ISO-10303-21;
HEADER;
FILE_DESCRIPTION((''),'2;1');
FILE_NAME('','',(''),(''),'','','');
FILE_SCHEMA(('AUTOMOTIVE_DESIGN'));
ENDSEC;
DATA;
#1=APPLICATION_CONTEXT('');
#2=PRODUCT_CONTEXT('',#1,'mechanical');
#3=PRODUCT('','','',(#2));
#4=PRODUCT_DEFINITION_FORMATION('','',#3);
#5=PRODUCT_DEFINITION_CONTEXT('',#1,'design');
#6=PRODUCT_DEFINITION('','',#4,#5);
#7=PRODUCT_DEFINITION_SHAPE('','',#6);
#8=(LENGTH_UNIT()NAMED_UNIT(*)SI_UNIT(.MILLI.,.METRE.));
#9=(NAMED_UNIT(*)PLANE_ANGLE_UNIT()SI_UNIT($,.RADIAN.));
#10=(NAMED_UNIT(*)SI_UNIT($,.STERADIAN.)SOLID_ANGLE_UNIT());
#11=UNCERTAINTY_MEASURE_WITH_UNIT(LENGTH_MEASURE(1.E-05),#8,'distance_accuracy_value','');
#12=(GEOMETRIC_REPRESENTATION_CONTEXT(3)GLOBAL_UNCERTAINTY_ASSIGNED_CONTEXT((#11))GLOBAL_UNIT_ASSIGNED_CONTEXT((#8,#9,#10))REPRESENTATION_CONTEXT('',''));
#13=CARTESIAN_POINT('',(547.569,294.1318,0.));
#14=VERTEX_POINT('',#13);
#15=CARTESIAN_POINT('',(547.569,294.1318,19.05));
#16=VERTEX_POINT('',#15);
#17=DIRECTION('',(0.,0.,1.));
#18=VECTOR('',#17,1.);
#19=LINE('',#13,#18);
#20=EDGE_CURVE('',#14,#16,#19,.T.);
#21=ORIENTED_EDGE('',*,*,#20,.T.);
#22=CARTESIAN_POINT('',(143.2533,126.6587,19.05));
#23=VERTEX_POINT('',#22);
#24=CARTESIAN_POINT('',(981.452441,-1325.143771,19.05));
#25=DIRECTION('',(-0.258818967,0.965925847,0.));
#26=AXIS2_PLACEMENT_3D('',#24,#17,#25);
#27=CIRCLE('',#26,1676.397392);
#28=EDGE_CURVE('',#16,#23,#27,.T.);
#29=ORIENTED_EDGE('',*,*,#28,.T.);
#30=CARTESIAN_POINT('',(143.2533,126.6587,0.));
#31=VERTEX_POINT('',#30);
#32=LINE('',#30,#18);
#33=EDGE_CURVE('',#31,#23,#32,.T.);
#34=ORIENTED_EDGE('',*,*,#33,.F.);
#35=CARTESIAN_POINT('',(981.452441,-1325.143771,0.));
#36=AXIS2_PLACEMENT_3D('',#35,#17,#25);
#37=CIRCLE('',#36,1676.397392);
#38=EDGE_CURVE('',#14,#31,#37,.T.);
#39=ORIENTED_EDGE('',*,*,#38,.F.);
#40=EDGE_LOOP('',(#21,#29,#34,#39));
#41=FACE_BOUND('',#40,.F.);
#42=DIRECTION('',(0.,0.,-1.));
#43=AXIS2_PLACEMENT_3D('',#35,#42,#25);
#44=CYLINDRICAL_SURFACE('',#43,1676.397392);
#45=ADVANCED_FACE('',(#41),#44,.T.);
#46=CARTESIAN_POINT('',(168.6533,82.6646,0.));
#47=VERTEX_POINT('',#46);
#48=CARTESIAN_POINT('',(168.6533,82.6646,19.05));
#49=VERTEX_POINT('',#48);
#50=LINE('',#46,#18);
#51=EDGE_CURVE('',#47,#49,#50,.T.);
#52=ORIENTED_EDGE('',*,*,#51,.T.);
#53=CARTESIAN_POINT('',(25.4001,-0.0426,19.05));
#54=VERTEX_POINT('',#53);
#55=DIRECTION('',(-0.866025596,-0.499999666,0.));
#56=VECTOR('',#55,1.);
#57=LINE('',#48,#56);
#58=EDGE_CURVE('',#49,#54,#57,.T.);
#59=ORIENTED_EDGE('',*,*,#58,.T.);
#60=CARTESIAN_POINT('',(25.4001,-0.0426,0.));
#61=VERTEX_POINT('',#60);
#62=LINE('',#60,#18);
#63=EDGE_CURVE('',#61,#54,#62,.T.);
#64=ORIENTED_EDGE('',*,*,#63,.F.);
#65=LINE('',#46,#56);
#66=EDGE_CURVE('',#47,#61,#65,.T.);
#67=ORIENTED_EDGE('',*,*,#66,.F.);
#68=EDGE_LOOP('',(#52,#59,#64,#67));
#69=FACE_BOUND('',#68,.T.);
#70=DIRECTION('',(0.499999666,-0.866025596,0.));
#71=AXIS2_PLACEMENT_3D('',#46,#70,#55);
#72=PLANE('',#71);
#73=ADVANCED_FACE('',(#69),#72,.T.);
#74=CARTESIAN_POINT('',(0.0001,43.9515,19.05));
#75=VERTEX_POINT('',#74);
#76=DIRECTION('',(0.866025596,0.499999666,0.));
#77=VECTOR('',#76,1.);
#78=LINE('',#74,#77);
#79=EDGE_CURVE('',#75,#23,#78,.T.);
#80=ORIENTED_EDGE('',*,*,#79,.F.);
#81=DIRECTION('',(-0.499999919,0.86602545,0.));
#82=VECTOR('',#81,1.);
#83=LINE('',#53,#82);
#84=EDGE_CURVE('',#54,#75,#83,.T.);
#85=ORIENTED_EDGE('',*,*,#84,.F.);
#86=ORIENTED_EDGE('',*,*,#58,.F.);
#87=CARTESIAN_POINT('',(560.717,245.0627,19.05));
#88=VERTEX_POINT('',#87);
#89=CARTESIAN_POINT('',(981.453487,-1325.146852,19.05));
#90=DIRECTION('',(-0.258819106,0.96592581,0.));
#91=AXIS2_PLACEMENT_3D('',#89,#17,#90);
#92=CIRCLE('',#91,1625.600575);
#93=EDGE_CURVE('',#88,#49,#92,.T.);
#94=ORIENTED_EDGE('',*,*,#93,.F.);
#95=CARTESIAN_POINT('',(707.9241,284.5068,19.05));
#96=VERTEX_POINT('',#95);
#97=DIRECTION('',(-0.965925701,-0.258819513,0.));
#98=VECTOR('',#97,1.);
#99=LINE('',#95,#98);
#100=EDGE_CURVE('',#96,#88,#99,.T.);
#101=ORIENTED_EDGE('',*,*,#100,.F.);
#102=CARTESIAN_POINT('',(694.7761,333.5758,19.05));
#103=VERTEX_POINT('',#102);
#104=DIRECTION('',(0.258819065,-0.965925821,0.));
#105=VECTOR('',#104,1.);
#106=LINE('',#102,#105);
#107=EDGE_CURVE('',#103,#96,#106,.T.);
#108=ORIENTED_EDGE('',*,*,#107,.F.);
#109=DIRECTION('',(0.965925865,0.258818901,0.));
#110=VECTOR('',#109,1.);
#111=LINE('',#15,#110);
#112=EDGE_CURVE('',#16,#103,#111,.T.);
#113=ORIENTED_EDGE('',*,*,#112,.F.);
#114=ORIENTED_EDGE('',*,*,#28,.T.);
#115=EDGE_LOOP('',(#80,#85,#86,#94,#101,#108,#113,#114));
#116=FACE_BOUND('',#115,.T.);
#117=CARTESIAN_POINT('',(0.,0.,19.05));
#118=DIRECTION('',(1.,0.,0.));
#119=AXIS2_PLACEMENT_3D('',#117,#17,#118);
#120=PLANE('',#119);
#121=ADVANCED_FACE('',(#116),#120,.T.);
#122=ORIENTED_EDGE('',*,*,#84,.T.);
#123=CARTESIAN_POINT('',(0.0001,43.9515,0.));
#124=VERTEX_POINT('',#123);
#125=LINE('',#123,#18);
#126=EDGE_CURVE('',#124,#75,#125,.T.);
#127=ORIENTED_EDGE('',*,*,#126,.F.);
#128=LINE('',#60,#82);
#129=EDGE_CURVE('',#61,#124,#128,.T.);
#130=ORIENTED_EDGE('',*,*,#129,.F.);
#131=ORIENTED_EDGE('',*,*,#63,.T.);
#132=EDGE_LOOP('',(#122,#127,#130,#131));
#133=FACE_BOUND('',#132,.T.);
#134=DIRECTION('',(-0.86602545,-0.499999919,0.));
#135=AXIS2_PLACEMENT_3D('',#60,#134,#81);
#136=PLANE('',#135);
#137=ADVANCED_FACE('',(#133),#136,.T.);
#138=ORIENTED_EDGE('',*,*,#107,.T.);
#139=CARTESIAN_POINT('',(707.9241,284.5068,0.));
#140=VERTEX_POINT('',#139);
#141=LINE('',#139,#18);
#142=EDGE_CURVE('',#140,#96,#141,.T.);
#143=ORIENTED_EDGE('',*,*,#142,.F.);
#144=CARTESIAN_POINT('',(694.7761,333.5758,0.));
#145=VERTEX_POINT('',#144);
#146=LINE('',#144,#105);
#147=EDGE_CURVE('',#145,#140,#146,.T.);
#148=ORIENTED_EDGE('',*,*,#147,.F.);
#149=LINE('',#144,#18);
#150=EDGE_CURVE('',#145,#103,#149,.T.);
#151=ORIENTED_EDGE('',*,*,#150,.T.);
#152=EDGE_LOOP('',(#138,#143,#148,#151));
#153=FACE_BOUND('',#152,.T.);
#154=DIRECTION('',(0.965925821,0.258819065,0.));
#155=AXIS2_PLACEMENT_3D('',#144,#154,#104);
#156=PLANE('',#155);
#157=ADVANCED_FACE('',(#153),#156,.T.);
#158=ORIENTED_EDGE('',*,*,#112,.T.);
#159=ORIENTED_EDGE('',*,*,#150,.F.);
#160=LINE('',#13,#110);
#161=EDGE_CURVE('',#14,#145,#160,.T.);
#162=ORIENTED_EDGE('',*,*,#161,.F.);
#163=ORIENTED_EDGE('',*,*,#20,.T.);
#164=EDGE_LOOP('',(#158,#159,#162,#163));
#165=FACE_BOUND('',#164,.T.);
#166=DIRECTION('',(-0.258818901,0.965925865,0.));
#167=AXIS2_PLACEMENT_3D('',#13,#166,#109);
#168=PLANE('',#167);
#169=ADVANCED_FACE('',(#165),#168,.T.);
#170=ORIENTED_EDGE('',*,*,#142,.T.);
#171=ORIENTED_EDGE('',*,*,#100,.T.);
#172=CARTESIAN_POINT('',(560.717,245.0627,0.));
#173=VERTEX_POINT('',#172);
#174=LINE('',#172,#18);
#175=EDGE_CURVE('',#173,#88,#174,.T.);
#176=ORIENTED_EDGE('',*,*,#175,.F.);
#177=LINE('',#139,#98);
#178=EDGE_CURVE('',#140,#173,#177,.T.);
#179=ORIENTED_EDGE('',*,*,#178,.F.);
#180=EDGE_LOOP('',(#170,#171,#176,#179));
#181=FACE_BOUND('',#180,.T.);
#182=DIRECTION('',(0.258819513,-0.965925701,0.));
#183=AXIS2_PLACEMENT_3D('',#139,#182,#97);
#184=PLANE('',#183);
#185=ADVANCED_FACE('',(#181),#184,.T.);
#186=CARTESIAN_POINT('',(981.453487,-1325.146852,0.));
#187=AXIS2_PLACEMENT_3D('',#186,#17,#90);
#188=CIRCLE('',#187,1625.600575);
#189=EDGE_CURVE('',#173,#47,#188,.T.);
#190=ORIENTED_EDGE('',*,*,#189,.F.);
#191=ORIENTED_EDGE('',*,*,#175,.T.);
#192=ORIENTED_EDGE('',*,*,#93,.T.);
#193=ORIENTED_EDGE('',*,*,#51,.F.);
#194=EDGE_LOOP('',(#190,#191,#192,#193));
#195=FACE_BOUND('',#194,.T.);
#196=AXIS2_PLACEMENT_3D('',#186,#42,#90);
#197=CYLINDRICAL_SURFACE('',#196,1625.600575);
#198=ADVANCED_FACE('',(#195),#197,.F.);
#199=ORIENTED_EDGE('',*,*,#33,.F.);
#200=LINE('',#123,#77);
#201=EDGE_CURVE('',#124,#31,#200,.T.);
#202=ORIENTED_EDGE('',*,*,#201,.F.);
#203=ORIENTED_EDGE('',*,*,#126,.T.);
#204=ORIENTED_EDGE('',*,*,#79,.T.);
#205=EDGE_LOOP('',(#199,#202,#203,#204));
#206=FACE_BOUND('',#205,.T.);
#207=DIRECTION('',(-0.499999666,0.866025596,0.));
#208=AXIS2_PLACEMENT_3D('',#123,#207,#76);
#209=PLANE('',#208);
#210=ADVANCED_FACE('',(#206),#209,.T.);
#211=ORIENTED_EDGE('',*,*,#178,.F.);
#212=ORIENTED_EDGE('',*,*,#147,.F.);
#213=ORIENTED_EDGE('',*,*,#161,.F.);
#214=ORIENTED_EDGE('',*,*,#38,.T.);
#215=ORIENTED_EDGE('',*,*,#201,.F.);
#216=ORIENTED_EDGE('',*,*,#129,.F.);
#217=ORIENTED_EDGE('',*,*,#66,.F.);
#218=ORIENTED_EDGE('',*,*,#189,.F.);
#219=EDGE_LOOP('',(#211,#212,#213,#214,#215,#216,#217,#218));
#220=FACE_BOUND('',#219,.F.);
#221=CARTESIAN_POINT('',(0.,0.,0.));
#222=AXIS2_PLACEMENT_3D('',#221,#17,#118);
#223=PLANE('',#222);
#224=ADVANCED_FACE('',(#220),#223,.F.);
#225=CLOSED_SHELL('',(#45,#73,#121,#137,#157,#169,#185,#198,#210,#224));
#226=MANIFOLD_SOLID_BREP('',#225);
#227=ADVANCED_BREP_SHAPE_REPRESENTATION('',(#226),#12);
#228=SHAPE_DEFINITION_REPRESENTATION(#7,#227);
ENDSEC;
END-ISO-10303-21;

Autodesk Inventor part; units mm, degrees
ref_plane "YZ Plane" through (0, 0, 0) normal (1, 0, 0) x (0, 1, 0)
ref_plane "XZ Plane" through (0, 0, 0) normal (0, 1, 0) x (-1, 0, 0)
ref_plane "XY Plane" through (0, 0, 0) normal (0, 0, 1) x (1, 0, 0)
sketch "Sketch1" plane through (0, 0, 0) normal (0, 0, 1) x (1, 0, 0)
  line L0 (707.9241, 284.5068) -> (560.717, 245.0627)
  arc A0 (560.717, 245.0627) -> (168.6533, 82.6646) centre (981.4533, -1325.1463) ccw
  line L1 (168.6533, 82.6646) -> (25.4001, -0.0426)
  line L2 (25.4001, -0.0426) -> (0.0001, 43.9515)
  line L3 (0.0001, 43.9515) -> (143.2533, 126.6587)
  arc A1 (547.569, 294.1318) -> (143.2533, 126.6587) centre (981.4533, -1325.1463) ccw
  line L4 (547.569, 294.1318) -> (694.7761, 333.5758)
  line L5 (694.7761, 333.5758) -> (707.9241, 284.5068)
  point P0 (0, 0)
extrude "Extrusion1" add sketch "Sketch1" along normal blind 19.05
properties part number "nd-o"
